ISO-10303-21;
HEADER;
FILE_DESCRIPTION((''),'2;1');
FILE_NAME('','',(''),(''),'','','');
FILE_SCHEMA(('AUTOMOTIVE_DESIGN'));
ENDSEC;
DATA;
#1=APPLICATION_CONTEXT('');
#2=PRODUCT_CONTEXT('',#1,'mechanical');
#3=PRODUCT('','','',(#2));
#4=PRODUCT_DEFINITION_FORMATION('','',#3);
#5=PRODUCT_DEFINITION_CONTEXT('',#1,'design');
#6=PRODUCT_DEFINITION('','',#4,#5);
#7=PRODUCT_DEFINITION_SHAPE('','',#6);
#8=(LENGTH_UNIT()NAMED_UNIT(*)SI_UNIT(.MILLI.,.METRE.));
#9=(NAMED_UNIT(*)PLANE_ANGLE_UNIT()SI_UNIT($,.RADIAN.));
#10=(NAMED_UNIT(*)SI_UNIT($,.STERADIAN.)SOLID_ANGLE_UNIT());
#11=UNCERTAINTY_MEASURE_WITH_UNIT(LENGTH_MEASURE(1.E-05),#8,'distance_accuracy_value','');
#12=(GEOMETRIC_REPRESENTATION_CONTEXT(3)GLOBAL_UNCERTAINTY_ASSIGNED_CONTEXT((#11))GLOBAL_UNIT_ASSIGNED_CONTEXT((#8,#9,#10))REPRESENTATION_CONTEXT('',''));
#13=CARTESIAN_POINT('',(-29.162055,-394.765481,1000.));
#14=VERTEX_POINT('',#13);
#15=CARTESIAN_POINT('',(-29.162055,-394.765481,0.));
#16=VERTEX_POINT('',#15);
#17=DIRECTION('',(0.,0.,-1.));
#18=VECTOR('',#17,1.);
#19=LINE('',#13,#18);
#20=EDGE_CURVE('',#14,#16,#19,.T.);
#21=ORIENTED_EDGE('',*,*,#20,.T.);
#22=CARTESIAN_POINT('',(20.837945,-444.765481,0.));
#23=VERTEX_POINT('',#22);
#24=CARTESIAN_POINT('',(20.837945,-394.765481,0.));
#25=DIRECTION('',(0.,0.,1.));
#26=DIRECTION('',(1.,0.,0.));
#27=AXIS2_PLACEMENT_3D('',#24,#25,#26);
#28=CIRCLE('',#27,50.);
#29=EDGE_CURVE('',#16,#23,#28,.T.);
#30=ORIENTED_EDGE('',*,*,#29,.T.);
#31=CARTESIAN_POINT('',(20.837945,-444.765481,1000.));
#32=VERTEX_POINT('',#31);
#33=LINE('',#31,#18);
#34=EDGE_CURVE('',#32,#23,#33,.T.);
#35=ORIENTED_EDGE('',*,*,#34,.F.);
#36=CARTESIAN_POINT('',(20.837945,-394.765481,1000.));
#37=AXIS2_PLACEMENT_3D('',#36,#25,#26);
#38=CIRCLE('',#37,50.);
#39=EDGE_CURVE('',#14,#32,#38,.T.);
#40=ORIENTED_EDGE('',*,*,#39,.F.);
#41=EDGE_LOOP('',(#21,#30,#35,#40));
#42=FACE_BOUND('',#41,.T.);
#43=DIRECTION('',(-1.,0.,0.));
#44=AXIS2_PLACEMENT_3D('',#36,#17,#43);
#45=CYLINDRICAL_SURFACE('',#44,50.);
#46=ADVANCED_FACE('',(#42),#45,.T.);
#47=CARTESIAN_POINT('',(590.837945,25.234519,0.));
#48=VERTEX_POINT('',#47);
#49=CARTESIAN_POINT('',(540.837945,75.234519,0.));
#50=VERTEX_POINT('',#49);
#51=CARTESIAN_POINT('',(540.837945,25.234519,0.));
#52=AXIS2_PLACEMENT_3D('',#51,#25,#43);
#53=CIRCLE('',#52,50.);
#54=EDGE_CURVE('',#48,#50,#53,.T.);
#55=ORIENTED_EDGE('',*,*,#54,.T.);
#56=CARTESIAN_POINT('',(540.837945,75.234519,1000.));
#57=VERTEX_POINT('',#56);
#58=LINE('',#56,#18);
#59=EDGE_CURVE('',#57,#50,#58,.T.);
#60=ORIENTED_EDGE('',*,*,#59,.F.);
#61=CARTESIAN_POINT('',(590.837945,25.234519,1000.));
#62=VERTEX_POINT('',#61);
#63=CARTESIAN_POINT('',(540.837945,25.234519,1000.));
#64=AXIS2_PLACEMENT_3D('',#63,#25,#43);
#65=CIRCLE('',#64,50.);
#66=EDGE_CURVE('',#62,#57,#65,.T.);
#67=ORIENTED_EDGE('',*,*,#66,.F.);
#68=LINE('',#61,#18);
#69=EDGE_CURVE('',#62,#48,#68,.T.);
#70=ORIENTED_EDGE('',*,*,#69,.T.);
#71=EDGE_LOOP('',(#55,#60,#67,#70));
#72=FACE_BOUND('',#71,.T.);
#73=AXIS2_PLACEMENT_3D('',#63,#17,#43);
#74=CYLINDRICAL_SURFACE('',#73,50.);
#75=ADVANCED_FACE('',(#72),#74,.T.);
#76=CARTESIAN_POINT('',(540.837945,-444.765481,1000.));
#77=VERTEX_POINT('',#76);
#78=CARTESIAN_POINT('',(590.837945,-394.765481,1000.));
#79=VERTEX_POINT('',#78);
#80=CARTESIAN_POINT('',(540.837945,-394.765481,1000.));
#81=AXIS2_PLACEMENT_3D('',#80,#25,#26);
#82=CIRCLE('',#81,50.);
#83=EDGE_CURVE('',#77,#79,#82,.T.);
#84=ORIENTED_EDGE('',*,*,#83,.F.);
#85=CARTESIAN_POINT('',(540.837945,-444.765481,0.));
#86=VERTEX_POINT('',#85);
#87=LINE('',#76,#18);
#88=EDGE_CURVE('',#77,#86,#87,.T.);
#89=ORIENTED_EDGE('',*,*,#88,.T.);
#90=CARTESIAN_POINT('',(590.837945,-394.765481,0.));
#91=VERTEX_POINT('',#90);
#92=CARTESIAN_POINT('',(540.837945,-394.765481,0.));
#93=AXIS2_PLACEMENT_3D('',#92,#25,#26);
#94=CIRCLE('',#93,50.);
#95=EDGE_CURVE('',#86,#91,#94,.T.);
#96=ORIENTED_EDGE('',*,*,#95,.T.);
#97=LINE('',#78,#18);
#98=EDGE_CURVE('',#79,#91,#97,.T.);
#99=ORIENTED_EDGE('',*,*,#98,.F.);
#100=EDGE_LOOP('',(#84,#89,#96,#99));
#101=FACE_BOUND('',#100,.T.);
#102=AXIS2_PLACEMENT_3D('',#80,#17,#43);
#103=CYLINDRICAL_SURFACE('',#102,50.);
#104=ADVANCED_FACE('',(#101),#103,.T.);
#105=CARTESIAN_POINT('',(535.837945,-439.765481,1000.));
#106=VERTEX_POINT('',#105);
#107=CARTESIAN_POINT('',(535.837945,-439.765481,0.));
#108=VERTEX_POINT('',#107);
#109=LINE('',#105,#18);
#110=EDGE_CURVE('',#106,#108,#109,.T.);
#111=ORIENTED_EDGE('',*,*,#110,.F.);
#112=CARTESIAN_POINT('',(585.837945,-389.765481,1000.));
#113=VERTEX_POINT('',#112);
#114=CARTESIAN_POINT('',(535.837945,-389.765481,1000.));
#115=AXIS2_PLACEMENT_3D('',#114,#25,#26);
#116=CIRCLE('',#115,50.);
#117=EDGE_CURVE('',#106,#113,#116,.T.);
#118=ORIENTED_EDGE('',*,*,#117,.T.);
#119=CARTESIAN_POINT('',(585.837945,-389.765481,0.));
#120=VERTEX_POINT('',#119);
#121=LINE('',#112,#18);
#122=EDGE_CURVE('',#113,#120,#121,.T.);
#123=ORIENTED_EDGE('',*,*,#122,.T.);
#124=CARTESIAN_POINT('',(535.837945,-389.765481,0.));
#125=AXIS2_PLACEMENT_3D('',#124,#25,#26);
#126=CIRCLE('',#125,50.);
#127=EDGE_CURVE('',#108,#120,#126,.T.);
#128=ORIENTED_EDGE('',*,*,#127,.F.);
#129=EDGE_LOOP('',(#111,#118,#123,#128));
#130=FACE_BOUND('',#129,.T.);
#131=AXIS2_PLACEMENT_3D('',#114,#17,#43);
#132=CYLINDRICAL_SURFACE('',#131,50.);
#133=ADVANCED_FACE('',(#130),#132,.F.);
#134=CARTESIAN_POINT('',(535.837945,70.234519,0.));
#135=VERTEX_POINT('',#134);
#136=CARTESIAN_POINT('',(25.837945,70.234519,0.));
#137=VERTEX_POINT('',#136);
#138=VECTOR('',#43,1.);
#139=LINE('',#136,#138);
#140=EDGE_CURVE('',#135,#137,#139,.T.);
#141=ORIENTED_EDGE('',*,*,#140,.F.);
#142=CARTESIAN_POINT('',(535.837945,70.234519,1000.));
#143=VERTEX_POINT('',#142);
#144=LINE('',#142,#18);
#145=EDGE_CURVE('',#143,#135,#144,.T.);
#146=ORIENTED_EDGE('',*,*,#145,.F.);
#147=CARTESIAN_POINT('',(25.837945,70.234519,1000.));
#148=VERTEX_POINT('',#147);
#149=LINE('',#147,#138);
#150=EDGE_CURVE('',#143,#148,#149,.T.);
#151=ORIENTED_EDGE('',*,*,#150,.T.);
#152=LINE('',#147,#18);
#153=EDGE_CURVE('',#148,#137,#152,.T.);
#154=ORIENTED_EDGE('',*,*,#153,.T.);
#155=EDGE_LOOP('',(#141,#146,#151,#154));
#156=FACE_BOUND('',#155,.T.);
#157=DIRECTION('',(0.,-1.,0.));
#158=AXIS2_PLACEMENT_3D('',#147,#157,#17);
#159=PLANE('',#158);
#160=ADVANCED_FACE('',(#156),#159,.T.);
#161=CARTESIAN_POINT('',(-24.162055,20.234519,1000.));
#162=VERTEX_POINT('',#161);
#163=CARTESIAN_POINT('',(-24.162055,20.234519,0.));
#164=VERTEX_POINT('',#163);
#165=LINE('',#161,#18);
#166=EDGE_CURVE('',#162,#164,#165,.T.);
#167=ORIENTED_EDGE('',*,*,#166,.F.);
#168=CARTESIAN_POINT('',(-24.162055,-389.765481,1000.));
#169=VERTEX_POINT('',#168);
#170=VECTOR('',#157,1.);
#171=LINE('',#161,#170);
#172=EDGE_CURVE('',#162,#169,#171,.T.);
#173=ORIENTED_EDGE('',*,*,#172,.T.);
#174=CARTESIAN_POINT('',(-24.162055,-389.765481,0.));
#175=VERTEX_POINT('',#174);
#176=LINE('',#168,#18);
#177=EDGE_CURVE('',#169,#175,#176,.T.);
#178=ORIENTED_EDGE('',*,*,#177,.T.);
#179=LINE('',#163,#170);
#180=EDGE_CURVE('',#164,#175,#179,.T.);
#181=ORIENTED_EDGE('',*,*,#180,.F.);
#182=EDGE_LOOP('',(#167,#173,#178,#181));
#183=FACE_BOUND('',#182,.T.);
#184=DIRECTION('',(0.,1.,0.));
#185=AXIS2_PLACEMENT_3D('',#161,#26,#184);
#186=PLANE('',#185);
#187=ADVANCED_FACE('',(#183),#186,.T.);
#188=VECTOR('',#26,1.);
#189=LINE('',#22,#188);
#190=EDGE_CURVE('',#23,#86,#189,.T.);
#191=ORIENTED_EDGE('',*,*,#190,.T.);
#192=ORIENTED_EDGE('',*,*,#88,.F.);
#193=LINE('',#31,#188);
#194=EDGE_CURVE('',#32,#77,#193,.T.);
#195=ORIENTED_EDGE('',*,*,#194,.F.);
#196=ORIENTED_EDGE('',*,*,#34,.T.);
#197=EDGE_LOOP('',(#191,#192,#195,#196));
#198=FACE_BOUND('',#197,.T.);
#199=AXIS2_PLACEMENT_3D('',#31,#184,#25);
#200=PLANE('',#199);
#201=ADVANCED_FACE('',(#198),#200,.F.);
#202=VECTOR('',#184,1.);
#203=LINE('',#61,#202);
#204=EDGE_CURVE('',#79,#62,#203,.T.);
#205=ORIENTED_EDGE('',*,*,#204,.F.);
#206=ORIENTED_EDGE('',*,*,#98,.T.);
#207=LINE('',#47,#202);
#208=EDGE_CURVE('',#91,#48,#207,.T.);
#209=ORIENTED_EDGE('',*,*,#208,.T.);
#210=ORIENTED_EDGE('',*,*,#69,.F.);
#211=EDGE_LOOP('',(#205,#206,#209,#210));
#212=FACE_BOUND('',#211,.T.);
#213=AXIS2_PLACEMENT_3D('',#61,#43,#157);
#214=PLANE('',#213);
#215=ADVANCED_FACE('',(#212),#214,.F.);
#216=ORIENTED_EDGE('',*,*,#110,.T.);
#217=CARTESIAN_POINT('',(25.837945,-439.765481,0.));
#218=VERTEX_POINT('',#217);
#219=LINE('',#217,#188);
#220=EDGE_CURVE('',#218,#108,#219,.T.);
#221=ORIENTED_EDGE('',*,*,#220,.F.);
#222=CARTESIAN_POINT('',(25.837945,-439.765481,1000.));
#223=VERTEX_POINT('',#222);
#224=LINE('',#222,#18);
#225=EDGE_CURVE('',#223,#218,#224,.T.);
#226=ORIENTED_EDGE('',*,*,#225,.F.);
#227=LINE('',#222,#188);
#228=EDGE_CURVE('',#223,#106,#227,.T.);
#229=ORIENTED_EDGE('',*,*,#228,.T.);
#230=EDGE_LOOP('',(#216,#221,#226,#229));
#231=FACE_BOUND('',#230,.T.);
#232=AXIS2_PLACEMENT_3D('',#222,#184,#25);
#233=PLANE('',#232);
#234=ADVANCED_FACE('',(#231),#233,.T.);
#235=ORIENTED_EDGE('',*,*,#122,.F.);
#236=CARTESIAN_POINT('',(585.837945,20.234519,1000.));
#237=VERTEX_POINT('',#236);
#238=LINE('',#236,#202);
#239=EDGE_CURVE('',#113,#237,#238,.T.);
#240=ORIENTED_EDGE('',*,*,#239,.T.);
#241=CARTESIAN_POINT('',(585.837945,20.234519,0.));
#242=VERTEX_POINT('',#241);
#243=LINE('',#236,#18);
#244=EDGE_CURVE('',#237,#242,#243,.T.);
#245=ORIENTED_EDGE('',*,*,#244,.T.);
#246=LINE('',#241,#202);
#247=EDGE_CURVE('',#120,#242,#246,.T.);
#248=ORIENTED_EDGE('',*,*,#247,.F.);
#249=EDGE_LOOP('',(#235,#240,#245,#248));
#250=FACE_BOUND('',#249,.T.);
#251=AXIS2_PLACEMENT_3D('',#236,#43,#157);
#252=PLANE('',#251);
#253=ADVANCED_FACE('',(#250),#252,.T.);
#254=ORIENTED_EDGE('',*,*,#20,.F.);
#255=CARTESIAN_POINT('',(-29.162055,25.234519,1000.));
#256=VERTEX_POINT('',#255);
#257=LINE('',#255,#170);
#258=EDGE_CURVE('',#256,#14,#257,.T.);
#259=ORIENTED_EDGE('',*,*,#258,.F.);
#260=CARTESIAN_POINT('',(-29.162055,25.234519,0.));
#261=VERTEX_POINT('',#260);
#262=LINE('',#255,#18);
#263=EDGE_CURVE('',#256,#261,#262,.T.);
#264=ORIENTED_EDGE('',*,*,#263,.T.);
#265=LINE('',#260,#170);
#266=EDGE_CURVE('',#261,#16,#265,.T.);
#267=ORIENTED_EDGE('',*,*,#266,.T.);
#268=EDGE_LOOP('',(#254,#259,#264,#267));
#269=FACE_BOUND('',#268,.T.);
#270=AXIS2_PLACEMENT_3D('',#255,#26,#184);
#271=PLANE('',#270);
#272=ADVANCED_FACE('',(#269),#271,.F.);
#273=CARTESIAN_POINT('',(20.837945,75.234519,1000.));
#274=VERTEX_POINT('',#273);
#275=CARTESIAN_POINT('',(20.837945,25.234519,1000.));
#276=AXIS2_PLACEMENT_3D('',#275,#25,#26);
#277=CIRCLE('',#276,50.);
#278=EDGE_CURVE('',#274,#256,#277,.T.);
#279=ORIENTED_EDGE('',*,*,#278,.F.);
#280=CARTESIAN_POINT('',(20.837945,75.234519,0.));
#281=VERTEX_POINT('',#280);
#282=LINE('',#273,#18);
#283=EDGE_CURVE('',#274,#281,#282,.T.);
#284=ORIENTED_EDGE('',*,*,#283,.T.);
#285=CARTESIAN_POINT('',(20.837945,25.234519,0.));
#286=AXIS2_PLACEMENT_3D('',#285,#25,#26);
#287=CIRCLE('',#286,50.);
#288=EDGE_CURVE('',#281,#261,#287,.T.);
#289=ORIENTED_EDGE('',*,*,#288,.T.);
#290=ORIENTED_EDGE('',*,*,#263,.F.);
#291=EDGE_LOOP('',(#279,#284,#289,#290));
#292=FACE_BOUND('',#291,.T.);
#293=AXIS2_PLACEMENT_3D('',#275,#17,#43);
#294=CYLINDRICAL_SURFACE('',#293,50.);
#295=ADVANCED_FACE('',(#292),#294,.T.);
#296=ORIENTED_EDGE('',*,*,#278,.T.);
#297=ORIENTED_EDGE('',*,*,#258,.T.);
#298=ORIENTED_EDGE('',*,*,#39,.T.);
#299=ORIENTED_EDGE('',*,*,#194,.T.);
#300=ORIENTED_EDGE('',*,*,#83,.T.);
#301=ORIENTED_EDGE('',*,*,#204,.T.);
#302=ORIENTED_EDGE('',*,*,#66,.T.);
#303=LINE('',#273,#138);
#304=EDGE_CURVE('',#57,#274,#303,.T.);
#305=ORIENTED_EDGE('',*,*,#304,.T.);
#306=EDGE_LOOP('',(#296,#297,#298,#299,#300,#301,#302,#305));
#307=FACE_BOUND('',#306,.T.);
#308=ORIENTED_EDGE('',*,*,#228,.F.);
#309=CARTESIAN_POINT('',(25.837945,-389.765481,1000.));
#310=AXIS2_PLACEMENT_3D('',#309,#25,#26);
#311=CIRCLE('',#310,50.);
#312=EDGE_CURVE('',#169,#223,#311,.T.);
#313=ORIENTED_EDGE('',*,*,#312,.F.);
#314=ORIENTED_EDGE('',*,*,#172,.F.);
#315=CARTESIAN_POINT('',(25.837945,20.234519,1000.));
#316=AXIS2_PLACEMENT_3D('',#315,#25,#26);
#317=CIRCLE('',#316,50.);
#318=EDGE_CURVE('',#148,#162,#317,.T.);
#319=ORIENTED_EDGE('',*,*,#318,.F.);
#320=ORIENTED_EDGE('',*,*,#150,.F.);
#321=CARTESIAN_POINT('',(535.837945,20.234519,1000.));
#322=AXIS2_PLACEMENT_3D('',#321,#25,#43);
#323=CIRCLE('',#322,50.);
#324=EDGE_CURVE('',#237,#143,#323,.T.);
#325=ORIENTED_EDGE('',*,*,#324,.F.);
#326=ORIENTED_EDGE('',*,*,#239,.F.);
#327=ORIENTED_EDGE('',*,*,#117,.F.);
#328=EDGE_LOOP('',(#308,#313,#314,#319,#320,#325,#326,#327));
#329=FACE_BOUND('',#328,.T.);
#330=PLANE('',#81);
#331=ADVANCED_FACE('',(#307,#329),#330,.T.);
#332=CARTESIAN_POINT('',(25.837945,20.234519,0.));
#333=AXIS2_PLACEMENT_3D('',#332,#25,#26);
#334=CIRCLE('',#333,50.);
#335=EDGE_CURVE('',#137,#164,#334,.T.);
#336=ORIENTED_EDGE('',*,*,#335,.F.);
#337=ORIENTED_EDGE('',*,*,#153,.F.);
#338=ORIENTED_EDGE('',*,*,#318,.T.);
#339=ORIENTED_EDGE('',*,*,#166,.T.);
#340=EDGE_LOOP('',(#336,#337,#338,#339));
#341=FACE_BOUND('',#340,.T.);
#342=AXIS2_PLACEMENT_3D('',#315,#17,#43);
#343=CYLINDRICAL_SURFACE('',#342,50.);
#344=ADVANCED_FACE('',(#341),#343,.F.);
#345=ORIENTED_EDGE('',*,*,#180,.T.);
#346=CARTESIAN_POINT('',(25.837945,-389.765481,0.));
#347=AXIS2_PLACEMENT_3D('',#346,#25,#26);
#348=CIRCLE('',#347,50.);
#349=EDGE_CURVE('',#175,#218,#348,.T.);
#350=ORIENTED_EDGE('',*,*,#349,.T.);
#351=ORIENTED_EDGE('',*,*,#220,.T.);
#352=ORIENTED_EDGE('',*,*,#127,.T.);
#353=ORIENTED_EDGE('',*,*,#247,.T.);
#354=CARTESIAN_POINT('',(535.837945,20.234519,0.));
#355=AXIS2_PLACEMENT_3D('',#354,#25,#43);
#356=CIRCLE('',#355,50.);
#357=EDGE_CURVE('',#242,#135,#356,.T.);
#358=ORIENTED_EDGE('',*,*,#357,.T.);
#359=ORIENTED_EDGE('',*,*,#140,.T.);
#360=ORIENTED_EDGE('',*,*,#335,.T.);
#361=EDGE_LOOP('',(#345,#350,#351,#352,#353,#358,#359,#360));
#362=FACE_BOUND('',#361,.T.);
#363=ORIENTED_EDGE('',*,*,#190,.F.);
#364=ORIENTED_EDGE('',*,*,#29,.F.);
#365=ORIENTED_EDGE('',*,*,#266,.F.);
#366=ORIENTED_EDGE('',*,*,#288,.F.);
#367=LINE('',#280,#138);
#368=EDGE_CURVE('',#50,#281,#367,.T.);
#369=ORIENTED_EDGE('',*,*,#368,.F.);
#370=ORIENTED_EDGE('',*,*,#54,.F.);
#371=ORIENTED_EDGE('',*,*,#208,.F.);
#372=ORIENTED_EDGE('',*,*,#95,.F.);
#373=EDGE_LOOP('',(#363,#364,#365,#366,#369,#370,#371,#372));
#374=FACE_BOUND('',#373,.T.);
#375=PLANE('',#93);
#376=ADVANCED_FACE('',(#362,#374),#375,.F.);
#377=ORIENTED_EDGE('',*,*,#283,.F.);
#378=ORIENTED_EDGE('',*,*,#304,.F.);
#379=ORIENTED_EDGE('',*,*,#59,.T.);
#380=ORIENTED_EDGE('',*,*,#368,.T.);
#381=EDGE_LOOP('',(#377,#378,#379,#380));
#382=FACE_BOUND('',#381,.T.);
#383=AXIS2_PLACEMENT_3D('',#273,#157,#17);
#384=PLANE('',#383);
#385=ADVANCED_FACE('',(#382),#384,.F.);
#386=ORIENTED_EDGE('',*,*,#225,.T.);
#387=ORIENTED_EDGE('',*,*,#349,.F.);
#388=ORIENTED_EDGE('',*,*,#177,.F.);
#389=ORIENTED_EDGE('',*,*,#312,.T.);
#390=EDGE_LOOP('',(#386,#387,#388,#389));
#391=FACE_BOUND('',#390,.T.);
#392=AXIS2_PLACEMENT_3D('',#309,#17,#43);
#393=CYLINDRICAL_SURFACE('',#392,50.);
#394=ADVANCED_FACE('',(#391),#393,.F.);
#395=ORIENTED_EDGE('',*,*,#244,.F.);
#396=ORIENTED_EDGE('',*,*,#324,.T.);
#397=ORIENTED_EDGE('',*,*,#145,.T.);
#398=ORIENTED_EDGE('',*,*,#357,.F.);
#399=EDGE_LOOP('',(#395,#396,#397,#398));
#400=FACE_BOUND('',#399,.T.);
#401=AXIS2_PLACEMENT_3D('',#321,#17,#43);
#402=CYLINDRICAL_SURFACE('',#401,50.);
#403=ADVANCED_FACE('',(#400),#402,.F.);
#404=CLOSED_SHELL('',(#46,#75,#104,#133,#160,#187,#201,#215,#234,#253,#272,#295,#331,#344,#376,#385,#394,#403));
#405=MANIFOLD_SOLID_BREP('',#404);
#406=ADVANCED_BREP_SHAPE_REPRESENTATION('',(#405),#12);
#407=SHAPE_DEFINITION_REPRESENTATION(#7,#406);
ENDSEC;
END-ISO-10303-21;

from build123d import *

# Parameters (mm, degrees)
EXTRUDE_2_DEPTH = 1000


with BuildPart() as part:
    # 草图1 → 凸台-拉伸2 (new body)
    with BuildSketch(Plane.XY):
        with BuildLine():
            Line((20.837944664, 75.234519104), (540.837944664, 75.234519104))
            ThreePointArc((540.837944664, 75.234519104), (576.193283723, 60.589858163), (590.837944664, 25.234519104))
            Line((590.837944664, 25.234519104), (590.837944664, -394.765480896))
            ThreePointArc((590.837944664, -394.765480896), (576.193283723, -430.120819955), (540.837944664, -444.765480896))
            Line((540.837944664, -444.765480896), (20.837944664, -444.765480896))
            ThreePointArc((20.837944664, -444.765480896), (-14.517394395, -430.120819955), (-29.162055336, -394.765480896))
            Line((-29.162055336, -394.765480896), (-29.162055336, 25.234519104))
            ThreePointArc((-29.162055336, 25.234519104), (-14.517394395, 60.589858163), (20.837944664, 75.234519104))
        make_face()
        with BuildLine():
            Line((25.837944664, 70.234519104), (535.837944664, 70.234519104))
            ThreePointArc((535.837944664, 70.234519104), (571.193283723, 55.589858163), (585.837944664, 20.234519104))
            Line((585.837944664, 20.234519104), (585.837944664, -389.765480896))
            ThreePointArc((585.837944664, -389.765480896), (571.193283723, -425.120819955), (535.837944664, -439.765480896))
            Line((535.837944664, -439.765480896), (25.837944664, -439.765480896))
            ThreePointArc((25.837944664, -439.765480896), (-9.517394395, -425.120819955), (-24.162055336, -389.765480896))
            Line((-24.162055336, -389.765480896), (-24.162055336, 20.234519104))
            ThreePointArc((-24.162055336, 20.234519104), (-9.517394395, 55.589858163), (25.837944664, 70.234519104))
        make_face(mode=Mode.SUBTRACT)
    extrude(amount=EXTRUDE_2_DEPTH)


solid = part.part
